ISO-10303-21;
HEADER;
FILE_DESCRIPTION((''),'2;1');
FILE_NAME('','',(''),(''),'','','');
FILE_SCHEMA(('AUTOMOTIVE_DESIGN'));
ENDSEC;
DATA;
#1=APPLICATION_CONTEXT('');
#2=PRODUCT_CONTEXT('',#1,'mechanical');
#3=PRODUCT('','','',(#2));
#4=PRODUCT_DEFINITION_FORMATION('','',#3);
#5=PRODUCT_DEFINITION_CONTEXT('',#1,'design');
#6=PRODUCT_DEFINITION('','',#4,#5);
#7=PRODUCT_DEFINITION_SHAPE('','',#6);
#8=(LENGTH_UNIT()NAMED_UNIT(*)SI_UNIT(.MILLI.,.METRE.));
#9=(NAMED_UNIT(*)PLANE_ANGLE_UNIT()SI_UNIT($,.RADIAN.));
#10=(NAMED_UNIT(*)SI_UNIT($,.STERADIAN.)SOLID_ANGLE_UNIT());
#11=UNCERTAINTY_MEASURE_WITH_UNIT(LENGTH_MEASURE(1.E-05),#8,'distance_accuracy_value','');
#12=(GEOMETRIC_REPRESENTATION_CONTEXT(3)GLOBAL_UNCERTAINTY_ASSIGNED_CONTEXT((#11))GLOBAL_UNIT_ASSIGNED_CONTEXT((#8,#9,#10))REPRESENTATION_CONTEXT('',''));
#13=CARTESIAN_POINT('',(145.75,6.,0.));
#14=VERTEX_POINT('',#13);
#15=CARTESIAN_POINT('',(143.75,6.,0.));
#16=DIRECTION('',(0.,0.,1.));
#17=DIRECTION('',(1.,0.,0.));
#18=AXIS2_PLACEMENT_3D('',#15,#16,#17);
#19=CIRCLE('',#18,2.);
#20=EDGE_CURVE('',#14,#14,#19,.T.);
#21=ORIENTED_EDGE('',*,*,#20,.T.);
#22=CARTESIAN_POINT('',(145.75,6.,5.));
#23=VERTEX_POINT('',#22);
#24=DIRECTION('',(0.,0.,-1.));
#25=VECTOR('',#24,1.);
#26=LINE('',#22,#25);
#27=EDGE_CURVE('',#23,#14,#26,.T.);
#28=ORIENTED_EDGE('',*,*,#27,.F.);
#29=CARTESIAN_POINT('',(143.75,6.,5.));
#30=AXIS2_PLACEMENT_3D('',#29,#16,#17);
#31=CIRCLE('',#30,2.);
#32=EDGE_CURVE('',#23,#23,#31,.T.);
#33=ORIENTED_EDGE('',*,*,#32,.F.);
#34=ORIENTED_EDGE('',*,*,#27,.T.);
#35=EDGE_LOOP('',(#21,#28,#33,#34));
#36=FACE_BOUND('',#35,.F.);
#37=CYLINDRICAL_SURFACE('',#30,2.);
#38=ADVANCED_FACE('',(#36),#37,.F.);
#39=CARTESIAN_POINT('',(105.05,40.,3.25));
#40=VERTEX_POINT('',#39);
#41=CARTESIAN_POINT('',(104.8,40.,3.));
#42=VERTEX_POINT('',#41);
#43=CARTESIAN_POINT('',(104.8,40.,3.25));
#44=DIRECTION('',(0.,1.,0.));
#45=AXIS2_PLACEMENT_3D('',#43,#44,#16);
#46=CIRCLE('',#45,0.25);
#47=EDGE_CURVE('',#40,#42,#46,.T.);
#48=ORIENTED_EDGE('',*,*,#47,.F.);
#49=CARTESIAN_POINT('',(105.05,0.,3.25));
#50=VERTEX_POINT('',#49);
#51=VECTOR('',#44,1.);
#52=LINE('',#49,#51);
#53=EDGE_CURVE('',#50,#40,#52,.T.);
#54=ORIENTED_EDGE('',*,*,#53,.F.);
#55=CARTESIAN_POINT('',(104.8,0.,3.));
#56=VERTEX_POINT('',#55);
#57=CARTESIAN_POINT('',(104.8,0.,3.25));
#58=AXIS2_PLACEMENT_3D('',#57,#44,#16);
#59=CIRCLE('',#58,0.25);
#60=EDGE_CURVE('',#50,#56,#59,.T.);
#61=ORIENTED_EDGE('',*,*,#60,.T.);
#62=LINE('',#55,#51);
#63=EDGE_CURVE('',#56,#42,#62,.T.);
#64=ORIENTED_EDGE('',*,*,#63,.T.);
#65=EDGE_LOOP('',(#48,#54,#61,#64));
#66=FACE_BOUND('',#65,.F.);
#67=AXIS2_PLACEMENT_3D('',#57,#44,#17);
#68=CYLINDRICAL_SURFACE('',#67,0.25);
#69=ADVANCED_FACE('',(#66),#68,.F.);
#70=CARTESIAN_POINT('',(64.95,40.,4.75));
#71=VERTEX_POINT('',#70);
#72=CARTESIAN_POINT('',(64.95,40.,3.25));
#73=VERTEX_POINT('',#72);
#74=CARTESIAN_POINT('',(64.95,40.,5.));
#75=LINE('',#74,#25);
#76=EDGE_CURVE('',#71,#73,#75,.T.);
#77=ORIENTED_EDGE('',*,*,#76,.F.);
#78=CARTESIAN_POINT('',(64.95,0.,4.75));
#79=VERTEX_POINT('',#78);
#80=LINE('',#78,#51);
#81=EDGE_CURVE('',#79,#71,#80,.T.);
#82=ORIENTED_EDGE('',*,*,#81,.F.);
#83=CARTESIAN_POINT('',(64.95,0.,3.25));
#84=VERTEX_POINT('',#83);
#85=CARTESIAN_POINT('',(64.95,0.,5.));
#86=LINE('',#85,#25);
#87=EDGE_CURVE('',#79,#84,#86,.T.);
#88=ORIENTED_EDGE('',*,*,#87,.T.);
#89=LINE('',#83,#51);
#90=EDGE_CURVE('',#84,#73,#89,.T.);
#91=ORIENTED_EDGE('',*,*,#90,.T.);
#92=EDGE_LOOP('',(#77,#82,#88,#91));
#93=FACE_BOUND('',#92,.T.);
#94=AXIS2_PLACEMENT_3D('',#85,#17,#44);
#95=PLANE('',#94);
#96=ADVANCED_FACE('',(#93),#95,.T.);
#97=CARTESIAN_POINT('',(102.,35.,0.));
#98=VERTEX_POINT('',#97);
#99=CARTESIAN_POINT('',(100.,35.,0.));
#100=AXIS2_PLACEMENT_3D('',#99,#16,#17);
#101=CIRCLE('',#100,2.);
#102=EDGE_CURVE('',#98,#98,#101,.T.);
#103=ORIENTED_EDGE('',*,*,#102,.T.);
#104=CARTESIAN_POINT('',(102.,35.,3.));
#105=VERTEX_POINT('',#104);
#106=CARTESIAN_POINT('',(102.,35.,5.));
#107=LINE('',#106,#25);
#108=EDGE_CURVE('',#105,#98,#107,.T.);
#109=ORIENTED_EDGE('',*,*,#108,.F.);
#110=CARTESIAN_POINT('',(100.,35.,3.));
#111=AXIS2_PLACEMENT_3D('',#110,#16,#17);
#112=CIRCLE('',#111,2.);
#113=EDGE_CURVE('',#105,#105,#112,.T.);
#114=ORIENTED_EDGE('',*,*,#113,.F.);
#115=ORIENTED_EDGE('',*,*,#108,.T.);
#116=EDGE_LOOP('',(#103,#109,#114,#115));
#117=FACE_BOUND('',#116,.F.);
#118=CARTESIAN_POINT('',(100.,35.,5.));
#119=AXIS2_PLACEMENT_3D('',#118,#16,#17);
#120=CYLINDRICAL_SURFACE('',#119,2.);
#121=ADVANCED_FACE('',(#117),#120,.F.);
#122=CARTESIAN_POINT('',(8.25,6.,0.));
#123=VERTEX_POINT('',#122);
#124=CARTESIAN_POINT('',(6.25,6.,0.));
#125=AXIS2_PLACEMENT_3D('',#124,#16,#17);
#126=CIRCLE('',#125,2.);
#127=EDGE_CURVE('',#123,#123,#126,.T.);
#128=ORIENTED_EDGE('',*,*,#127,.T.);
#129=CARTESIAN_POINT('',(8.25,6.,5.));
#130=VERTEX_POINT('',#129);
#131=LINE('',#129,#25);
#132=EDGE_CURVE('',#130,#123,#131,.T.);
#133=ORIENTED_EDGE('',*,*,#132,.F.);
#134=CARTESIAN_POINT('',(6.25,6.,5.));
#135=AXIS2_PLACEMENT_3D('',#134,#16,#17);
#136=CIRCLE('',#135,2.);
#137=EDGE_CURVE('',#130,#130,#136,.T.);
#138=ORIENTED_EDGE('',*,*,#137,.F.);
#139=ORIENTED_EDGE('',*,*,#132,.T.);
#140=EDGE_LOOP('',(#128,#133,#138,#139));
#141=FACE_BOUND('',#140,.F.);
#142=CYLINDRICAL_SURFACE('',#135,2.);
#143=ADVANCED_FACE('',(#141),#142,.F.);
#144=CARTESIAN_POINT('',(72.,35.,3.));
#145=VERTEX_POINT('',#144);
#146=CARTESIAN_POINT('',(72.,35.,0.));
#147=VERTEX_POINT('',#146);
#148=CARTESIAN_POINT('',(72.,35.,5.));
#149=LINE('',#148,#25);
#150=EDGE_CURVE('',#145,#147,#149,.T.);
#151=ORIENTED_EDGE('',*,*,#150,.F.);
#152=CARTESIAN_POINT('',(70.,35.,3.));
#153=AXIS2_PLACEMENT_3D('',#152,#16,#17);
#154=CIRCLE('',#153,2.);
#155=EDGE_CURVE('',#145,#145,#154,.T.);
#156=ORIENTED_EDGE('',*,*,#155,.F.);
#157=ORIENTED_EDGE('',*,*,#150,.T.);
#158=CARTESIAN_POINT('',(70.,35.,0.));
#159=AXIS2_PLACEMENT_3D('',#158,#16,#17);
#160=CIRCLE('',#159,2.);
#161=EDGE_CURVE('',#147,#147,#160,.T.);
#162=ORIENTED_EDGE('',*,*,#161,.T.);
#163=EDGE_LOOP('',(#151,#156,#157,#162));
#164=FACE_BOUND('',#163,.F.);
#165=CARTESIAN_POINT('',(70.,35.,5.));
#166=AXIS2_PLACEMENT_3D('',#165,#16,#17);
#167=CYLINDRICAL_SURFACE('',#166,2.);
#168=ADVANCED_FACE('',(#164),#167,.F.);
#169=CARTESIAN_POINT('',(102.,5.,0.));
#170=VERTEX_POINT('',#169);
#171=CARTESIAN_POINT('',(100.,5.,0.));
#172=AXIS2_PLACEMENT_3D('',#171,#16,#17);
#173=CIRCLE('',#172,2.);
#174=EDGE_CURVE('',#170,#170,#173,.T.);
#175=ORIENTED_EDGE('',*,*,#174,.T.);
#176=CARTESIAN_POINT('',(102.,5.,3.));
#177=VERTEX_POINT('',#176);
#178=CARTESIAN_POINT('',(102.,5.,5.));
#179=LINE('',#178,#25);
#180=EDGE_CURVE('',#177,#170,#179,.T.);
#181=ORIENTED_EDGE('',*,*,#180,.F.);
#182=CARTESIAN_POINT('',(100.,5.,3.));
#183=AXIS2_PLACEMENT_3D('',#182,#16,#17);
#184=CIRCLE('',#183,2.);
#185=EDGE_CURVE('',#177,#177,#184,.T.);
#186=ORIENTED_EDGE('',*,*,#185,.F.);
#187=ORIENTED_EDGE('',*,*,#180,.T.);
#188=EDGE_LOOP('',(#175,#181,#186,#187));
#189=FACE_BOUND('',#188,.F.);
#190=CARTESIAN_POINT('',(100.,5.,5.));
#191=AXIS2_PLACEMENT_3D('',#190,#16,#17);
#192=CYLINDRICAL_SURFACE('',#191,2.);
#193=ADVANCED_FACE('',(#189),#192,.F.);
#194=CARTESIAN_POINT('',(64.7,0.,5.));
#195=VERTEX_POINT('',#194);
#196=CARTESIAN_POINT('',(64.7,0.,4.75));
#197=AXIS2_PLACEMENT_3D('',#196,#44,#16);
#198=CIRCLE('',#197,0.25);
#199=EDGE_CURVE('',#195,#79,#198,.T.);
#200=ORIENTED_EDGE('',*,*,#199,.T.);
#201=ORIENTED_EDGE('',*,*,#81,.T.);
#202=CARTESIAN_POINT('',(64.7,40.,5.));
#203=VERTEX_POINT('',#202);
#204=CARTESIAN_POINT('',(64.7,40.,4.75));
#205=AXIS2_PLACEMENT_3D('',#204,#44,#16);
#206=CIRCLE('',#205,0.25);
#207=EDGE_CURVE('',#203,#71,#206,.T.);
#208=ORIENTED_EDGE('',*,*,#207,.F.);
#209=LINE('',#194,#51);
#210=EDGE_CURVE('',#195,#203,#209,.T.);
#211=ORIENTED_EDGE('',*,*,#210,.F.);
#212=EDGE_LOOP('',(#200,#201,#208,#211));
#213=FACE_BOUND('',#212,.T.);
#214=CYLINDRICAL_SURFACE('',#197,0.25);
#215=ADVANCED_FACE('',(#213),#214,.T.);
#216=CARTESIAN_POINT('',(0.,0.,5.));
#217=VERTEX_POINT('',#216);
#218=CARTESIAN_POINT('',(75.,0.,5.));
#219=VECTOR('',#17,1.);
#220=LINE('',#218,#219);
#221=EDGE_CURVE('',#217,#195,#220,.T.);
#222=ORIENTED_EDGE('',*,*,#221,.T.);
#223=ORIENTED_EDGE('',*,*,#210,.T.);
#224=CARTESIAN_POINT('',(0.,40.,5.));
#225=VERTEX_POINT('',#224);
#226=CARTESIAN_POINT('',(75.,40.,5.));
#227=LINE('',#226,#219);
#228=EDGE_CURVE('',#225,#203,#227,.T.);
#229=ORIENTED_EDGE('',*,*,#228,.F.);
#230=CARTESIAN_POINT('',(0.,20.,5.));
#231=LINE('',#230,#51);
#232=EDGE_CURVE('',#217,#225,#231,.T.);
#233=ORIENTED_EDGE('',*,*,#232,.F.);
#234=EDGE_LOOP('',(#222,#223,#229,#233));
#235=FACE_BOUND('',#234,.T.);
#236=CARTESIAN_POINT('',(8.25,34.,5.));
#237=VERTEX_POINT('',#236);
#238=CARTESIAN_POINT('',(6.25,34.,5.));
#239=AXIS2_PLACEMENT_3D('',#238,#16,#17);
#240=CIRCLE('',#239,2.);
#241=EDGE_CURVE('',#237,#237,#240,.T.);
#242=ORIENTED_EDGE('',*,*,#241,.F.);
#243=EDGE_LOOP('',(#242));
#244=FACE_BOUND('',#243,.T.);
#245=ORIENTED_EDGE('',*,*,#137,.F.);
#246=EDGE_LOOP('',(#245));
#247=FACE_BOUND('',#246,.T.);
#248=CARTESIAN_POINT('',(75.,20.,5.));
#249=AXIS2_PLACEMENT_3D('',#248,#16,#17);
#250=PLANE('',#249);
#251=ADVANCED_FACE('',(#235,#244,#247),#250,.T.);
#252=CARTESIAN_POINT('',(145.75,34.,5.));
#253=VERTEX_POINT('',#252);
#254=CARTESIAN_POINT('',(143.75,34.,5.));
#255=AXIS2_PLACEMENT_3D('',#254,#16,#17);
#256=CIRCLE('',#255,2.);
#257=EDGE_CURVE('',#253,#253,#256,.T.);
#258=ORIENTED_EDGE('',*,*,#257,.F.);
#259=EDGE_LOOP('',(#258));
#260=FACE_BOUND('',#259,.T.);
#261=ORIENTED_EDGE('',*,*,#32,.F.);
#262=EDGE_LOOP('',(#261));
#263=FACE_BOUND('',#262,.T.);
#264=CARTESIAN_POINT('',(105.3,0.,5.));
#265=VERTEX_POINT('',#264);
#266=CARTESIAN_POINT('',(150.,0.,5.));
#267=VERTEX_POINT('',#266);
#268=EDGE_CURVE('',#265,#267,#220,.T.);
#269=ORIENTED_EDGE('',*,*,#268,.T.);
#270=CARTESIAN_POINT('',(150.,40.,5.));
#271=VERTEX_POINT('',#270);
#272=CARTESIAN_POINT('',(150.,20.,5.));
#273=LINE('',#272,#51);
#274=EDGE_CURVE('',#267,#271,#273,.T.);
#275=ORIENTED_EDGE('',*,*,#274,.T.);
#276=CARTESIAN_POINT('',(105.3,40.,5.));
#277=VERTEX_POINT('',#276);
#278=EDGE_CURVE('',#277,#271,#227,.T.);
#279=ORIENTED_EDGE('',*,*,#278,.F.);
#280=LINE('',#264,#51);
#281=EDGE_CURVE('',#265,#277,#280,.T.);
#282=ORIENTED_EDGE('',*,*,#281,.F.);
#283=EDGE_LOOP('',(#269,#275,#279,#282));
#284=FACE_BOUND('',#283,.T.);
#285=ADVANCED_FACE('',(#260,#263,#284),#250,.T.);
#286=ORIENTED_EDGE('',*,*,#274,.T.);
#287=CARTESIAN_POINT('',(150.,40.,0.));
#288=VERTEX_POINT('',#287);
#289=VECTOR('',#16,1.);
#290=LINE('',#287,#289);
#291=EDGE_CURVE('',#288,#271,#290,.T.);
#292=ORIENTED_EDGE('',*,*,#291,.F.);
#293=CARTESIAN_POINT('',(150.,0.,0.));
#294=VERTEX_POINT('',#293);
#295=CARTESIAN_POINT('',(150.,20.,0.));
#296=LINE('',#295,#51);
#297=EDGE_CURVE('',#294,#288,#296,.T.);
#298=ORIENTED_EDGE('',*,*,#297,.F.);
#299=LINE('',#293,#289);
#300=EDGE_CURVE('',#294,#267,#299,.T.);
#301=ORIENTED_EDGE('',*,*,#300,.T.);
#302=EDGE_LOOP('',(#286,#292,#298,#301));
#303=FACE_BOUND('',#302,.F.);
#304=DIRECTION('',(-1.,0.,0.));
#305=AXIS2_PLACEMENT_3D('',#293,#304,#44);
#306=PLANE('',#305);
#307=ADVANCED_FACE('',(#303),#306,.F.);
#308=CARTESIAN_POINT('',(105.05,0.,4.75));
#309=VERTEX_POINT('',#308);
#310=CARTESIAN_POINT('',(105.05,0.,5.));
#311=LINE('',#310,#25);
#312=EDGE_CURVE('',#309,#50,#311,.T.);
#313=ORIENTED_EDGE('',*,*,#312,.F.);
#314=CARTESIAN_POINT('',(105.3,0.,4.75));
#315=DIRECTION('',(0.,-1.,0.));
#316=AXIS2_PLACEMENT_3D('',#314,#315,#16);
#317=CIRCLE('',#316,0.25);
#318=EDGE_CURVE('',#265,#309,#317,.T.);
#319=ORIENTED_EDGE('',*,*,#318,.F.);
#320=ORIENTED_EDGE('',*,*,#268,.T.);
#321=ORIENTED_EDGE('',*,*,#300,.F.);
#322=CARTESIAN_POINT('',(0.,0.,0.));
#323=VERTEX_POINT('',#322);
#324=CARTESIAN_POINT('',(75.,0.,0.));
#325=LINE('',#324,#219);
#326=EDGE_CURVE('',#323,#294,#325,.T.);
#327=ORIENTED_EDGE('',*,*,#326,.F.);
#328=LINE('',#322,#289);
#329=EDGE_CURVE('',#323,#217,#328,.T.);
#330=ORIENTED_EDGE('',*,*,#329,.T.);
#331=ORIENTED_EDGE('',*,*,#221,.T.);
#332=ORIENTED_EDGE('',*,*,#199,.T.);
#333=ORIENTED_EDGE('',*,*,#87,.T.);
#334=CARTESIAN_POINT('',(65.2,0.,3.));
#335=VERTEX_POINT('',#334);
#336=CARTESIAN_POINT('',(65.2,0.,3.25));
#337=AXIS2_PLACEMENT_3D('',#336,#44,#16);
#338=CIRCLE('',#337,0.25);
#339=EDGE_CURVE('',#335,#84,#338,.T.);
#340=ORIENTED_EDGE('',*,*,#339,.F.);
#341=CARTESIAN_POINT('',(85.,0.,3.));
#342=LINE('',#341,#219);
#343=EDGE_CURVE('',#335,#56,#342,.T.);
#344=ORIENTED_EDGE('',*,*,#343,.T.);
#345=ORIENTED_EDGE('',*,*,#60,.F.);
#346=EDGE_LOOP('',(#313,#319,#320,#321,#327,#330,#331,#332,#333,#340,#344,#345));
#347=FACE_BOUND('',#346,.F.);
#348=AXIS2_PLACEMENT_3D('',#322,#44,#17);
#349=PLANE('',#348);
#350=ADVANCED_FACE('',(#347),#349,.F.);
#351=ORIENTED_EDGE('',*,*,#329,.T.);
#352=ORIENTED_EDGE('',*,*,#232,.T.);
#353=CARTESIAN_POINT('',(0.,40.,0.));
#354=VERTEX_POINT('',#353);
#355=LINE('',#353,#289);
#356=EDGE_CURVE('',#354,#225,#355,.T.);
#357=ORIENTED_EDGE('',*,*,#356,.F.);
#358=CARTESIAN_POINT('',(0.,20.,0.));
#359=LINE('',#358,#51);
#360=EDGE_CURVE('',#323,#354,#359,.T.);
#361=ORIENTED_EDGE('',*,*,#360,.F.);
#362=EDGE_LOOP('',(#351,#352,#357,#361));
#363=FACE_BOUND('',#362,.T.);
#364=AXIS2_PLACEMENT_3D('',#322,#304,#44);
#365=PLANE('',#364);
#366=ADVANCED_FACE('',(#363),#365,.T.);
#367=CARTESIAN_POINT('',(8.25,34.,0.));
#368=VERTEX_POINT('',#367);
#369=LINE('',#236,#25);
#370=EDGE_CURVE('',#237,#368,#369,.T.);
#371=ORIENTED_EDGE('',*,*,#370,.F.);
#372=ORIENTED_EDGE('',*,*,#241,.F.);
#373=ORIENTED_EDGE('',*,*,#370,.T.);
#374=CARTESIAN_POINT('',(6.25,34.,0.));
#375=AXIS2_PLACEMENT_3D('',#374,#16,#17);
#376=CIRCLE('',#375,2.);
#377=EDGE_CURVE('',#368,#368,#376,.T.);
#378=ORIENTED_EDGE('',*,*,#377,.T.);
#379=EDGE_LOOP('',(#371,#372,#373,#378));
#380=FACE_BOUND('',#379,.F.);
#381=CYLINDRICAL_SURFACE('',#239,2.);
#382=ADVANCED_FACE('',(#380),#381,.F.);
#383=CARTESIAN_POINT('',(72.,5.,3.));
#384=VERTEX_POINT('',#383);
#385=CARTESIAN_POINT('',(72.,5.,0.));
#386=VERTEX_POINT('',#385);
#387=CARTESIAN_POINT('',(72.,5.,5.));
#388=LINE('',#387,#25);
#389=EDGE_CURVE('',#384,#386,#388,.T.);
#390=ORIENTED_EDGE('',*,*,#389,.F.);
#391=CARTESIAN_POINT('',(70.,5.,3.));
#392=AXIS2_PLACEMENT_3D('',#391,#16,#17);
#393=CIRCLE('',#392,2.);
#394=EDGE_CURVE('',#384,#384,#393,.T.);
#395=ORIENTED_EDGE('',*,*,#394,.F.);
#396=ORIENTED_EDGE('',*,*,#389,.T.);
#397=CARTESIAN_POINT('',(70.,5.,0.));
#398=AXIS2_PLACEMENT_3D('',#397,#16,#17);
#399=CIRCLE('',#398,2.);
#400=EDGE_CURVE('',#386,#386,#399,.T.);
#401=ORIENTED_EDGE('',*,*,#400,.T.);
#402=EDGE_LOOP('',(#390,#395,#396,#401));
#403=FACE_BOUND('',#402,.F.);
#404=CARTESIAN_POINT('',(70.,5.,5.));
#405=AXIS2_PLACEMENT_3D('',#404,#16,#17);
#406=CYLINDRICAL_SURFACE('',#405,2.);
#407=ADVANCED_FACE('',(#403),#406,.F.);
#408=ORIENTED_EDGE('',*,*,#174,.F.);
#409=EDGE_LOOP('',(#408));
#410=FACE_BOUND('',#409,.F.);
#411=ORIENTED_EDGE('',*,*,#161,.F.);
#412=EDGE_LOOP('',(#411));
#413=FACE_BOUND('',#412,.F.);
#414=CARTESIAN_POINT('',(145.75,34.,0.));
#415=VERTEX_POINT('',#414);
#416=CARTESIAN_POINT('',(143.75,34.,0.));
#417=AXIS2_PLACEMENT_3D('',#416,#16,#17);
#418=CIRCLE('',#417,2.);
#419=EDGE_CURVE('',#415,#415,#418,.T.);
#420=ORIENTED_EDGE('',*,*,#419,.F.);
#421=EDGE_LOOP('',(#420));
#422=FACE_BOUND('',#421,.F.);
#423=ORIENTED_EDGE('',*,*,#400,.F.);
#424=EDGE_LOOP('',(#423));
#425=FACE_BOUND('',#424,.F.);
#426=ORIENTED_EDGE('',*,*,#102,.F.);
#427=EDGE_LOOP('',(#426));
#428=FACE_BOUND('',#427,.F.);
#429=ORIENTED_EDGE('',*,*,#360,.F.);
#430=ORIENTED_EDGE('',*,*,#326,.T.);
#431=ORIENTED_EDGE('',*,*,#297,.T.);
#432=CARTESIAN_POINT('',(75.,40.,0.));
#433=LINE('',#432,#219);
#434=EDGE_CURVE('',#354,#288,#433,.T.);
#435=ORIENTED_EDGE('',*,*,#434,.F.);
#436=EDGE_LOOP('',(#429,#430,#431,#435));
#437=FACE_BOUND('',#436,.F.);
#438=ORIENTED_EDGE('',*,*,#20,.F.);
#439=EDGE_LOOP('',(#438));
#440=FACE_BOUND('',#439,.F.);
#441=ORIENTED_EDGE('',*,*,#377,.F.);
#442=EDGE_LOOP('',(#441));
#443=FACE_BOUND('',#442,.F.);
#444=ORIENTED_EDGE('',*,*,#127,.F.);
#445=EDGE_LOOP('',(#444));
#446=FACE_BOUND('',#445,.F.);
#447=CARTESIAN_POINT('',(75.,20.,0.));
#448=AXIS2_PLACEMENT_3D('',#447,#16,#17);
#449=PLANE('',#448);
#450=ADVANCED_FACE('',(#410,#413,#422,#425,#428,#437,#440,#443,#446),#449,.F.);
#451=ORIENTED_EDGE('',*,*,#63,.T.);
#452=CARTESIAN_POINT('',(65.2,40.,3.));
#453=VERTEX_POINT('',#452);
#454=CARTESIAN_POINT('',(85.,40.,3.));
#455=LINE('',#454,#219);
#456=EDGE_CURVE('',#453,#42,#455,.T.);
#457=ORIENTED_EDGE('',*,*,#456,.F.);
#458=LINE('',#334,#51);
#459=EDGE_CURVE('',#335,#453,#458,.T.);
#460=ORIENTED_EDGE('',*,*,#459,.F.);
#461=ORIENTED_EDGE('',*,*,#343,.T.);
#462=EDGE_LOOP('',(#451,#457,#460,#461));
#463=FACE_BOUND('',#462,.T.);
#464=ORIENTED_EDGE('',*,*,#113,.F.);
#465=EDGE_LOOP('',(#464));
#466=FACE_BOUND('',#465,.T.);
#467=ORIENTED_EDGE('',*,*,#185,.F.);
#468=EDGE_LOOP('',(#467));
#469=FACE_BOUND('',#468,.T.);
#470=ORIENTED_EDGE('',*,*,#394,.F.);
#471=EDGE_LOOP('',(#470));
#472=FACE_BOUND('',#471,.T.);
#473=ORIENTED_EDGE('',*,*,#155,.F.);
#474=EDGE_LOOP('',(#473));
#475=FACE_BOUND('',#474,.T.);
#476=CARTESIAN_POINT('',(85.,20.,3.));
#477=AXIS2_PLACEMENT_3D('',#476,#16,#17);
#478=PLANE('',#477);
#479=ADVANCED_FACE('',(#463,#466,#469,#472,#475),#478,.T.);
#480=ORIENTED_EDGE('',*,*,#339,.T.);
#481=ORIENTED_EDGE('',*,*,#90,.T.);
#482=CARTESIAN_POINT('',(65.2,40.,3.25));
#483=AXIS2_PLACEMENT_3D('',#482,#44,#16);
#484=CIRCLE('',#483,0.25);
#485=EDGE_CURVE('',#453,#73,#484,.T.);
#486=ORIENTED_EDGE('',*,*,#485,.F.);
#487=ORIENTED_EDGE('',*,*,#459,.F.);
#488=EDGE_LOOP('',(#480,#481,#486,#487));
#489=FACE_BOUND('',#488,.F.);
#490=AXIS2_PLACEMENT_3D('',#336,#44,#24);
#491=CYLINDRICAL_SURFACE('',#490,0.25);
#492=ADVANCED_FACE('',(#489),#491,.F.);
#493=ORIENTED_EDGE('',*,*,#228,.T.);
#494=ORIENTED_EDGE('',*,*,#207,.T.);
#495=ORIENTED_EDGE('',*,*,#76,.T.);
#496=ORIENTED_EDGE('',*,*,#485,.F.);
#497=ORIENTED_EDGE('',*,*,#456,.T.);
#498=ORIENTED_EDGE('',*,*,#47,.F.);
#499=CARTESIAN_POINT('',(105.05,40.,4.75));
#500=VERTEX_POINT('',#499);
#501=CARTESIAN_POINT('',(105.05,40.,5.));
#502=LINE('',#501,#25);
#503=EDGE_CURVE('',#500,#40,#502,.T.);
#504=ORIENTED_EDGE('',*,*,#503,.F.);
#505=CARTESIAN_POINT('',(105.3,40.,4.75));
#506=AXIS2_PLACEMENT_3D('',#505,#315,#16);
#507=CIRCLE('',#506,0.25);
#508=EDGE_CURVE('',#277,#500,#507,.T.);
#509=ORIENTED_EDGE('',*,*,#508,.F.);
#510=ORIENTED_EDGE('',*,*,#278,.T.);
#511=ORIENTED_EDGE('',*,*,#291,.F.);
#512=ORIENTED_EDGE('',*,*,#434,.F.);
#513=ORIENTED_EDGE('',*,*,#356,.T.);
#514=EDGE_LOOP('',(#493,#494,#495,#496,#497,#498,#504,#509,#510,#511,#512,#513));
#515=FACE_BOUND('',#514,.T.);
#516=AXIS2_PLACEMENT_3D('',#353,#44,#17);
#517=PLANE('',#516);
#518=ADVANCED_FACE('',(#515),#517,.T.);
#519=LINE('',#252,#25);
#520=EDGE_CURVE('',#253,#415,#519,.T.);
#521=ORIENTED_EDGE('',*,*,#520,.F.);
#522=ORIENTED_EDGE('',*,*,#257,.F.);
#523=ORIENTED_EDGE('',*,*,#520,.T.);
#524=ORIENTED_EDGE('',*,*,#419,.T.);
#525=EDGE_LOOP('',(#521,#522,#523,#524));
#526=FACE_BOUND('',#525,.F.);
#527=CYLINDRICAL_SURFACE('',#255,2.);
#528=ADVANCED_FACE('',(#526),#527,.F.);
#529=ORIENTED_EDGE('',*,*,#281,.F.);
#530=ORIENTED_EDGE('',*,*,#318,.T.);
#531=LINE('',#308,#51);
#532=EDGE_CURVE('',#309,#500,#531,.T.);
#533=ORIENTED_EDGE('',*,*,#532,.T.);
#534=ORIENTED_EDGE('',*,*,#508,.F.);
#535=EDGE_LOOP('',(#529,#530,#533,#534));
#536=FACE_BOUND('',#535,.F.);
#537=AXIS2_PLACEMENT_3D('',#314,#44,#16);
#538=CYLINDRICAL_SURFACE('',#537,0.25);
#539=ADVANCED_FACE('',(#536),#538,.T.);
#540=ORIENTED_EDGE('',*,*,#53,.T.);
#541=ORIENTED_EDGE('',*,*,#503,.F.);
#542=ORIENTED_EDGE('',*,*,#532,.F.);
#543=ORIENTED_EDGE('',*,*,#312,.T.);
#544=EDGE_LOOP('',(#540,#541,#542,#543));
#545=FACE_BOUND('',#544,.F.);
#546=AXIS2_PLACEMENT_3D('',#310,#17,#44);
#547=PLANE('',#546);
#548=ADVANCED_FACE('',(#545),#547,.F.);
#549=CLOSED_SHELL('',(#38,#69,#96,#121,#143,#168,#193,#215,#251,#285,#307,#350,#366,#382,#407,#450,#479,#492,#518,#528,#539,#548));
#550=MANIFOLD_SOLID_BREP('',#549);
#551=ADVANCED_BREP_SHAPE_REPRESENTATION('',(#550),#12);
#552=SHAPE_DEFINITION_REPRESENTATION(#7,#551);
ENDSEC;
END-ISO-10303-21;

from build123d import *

# Parameters (mm, degrees)
F0_W     = 150
F0_H     = 40
F1_DEPTH = 5
F2_R     = 2
F3_DEPTH = 25
F4_R     = 2
F5_DEPTH = 25
F6_W     = 40.1
F6_H     = 40
F7_DEPTH = 2
F8_R     = 0.25


with BuildPart() as f1:
    # F0 (on Top) → F1 (new body)
    with BuildSketch(Plane.XY):
        with Locations((75, 20)):
            Rectangle(F0_W, F0_H)
    extrude(amount=F1_DEPTH)

    # F2 (on face) → F3 (cut)
    with BuildSketch(Plane.XY.offset(5)):
        with Locations((6.25, 34)):
            Circle(F2_R)
        with Locations((6.25, 6)):
            Circle(F2_R)
        with Locations((143.75, 34)):
            Circle(F2_R)
        with Locations((143.75, 6)):
            Circle(F2_R)
    extrude(amount=-F3_DEPTH, mode=Mode.SUBTRACT)

    # F4 (on face) → F5 (cut)
    with BuildSketch(Plane.XY.offset(5)):
        with Locations((70, 35)):
            Circle(F4_R)
        with Locations((70, 5)):
            Circle(F4_R)
        with Locations((100, 35)):
            Circle(F4_R)
        with Locations((100, 5)):
            Circle(F4_R)
    extrude(amount=-F5_DEPTH, mode=Mode.SUBTRACT)

    # F6 (on face) → F7 (cut)
    with BuildSketch(Plane.XY.offset(5)):
        with Locations((85, 20)):
            Rectangle(F6_W, F6_H)
    extrude(amount=-F7_DEPTH, mode=Mode.SUBTRACT)

    # F8
    f8_edges = [f1.edges().sort_by_distance(p)[0] for p in [
        (64.95, 20, 5),
        (64.95, 20, 3),
        (105.05, 20, 5),
        (105.05, 20, 3),
    ]]
    fillet(f8_edges, radius=F8_R)


solid = f1.part
